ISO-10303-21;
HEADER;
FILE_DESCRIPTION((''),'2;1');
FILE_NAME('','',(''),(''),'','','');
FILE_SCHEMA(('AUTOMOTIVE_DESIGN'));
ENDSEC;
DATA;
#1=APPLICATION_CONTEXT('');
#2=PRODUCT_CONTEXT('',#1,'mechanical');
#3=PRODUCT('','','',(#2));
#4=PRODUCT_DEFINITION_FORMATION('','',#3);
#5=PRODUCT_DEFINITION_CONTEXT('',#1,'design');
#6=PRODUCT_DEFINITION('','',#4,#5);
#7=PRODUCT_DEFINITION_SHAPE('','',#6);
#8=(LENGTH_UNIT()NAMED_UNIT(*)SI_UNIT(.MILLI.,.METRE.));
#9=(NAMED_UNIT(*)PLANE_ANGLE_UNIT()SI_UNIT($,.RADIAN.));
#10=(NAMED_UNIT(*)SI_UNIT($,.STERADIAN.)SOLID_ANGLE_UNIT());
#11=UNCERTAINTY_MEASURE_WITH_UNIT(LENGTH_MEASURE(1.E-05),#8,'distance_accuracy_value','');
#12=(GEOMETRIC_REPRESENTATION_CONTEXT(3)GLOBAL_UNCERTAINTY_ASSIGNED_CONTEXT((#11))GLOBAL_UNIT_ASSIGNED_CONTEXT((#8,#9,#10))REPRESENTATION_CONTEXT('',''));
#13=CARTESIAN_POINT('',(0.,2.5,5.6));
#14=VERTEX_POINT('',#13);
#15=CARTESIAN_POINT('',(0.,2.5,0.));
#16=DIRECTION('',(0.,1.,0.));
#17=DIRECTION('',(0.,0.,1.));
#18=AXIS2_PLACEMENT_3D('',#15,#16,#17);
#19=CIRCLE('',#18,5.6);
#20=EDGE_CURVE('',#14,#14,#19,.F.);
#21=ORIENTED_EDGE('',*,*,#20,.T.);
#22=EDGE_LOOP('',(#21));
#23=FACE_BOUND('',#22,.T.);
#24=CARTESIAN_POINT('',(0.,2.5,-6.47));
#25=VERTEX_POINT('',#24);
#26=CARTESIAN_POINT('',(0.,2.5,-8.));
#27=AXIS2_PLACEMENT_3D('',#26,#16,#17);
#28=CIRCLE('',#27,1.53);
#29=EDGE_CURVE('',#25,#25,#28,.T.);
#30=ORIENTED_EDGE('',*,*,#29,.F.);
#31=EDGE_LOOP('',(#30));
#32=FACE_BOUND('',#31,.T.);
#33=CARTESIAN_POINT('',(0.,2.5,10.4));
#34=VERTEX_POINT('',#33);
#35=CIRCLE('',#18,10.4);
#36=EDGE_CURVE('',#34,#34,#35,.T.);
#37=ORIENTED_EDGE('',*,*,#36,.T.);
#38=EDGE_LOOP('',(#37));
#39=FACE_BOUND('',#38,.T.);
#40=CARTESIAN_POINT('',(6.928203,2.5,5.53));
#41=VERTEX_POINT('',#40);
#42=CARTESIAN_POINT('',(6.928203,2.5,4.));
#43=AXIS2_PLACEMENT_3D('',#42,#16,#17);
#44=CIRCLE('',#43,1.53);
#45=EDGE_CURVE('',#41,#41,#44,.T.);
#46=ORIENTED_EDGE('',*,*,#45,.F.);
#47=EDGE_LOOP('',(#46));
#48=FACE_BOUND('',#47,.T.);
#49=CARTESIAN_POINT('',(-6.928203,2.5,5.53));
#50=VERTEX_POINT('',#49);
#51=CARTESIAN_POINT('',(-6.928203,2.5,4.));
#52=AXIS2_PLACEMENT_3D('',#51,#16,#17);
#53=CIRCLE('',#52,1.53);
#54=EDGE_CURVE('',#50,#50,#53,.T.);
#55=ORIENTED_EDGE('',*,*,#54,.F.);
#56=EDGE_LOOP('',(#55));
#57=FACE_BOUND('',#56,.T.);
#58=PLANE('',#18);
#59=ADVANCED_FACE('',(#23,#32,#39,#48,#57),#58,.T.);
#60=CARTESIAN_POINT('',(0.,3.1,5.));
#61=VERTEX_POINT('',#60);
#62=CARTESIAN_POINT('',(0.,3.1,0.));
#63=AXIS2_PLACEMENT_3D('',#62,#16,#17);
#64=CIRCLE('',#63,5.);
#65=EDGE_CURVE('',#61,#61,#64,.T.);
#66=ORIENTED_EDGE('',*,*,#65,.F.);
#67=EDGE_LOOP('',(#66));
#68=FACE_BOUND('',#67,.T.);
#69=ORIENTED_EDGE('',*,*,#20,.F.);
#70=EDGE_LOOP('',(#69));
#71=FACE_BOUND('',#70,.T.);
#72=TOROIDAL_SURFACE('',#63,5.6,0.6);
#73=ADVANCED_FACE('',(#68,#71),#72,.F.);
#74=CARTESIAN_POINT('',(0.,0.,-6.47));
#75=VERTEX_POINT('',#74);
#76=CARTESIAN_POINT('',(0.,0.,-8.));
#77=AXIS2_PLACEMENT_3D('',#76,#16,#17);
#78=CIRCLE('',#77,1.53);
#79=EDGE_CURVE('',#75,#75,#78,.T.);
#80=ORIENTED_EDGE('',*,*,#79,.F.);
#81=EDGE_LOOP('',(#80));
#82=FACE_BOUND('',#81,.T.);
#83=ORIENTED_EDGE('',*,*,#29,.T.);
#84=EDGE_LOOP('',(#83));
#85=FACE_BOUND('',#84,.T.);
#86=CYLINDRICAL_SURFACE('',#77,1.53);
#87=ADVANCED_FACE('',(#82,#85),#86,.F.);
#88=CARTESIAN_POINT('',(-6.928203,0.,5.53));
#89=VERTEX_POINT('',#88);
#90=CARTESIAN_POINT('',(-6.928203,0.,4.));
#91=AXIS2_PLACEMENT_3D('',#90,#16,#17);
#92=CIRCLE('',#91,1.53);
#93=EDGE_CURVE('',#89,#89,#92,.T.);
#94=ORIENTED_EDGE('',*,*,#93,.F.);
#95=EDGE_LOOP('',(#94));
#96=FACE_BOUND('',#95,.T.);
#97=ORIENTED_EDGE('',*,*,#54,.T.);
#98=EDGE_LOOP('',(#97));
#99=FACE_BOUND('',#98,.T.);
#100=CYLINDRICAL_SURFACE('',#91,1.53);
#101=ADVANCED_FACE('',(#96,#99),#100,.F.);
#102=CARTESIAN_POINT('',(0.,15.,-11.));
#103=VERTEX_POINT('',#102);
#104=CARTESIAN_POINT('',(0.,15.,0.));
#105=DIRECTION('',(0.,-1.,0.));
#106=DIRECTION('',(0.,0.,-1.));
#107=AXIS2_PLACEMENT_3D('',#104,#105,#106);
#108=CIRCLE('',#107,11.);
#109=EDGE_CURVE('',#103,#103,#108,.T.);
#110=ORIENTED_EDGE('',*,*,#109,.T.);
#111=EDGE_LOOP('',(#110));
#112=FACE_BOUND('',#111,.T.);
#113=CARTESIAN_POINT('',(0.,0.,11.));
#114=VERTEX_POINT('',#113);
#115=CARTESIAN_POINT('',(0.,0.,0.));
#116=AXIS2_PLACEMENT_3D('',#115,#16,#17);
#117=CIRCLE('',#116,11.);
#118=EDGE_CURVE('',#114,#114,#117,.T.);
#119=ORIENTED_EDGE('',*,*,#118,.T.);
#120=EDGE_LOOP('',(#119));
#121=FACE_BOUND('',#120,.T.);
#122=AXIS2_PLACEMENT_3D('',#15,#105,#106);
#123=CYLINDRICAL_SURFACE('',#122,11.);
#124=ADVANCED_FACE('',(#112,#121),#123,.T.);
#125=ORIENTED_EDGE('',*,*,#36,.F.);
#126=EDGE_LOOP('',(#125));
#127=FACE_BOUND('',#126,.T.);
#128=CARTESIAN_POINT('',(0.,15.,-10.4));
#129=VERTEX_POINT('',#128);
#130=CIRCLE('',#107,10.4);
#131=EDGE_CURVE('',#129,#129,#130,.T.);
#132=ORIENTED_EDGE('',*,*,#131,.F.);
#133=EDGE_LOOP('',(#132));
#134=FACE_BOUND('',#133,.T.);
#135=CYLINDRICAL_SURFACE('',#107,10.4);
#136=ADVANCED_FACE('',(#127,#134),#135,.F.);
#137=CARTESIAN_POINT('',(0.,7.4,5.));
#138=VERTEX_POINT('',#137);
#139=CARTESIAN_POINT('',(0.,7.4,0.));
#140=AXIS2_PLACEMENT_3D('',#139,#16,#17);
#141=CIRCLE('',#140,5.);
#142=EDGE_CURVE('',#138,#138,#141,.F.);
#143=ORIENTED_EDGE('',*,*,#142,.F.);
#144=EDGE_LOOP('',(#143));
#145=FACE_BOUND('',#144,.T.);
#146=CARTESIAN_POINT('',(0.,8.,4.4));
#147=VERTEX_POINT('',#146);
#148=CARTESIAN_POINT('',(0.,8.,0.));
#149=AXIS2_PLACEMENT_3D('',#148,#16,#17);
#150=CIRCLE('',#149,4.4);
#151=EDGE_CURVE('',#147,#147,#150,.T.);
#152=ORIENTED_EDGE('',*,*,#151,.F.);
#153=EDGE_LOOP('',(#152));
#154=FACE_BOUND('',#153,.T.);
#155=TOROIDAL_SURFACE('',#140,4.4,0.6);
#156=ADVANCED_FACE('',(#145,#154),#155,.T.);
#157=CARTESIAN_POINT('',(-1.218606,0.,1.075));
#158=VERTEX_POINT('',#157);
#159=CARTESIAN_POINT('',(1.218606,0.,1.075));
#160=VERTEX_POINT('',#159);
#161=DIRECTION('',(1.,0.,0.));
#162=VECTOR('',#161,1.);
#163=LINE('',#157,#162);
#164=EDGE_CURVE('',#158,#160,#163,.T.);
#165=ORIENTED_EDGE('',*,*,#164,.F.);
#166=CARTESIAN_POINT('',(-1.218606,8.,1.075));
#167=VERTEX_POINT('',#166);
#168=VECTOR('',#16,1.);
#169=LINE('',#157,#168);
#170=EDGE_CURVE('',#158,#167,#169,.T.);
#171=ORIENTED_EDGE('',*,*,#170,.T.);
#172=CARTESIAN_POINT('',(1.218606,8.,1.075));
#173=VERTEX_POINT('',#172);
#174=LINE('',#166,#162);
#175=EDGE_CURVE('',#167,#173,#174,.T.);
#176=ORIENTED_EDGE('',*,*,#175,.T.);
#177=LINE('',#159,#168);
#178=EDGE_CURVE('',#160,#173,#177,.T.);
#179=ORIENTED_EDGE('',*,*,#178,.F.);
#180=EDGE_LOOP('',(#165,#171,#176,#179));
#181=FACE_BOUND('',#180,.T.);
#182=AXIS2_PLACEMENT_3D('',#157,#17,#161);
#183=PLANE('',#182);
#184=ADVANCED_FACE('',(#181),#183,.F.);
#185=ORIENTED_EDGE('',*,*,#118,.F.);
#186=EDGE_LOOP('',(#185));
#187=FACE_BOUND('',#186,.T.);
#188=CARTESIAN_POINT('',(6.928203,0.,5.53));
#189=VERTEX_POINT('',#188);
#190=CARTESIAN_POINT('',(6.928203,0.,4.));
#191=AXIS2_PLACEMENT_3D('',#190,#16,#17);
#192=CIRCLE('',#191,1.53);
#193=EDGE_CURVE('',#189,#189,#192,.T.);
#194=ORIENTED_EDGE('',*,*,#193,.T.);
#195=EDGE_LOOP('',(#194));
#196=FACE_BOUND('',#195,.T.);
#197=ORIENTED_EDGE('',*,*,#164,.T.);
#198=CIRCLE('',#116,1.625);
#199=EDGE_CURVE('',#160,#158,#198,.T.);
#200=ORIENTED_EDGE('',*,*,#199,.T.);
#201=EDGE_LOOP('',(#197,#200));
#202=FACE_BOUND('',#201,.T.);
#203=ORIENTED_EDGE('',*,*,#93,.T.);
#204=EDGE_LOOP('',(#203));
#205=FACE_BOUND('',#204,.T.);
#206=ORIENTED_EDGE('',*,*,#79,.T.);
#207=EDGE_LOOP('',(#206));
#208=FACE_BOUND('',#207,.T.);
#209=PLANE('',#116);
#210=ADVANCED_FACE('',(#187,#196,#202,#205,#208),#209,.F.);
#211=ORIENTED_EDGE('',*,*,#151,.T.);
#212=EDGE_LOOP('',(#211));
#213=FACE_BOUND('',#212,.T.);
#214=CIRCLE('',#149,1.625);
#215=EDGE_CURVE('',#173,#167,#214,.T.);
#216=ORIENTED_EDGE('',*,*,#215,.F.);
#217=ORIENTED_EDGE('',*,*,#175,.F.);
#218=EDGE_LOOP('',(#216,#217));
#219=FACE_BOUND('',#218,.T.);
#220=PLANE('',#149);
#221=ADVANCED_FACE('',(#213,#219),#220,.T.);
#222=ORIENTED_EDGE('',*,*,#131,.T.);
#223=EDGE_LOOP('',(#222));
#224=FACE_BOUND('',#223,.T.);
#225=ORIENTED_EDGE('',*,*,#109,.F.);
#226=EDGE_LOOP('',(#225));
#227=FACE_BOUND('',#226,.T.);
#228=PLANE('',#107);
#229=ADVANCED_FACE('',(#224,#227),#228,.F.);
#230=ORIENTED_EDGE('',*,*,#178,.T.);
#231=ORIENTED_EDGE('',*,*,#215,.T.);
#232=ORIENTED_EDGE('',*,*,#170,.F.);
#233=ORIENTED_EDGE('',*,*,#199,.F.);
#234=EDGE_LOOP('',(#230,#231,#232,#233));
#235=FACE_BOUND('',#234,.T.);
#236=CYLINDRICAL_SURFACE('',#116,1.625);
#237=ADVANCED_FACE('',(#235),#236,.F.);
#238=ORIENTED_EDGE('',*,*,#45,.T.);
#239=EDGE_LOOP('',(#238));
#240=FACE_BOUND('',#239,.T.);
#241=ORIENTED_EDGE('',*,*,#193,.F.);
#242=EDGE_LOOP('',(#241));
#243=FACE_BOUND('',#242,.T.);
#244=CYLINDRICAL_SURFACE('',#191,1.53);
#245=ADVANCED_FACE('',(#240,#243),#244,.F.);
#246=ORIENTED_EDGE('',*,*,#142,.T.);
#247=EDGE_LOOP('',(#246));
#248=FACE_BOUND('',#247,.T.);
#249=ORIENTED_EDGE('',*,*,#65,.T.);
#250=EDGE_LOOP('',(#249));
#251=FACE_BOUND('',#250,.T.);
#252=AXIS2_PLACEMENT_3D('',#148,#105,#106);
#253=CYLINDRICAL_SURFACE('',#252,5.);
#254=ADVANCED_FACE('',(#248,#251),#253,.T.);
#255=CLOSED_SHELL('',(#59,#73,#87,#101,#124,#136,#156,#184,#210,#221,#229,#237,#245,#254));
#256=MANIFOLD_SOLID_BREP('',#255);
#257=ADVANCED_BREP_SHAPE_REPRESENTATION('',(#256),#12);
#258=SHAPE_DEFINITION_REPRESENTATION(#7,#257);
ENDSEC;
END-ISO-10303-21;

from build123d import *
from build123d.topology import SkipClean

# Parameters (mm, degrees)
SKETCH1_R           = 11
BOSS_EXTRUDE1_DEPTH = 2.5
SKETCH2_R           = 5
BOSS_EXTRUDE2_DEPTH = 5.5
SKETCH3_R           = 1.53
CUT_EXTRUDE1_DEPTH  = 17.5
CUT_EXTRUDE2_DEPTH  = 18.492855685
FILLET1_R           = 0.6
SKETCH5_R           = 11
SKETCH5_R_2         = 10.4
BOSS_EXTRUDE3_DEPTH = 15


with BuildPart() as part:
    # Sketch1 → Boss-Extrude1 (new body)
    with BuildSketch(Plane(origin=(0, 0, 0), x_dir=(1, 0, 0), z_dir=(0, 1, 0))):
        with Locations(Location((0, 0, 0), (0, 0, 270))):
            Circle(SKETCH1_R)
    extrude(amount=BOSS_EXTRUDE1_DEPTH)

    # Sketch2 → Boss-Extrude2 (add)
    with BuildSketch(Plane(origin=(0, 2.5, 0), x_dir=(1, 0, 0), z_dir=(0, 1, 0))):
        with Locations(Location((0, 0, 0), (0, 0, 270))):
            Circle(SKETCH2_R)
    extrude(amount=BOSS_EXTRUDE2_DEPTH)

    # Sketch3 → Cut-Extrude1 (cut, through all)
    with BuildSketch(Plane(origin=(0, 2.5, 0), x_dir=(1, 0, 0), z_dir=(0, 1, 0))):
        with Locations(Location((0, 8, 0), (0, 0, 270))):
            Circle(SKETCH3_R)
        with Locations(Location((6.92820323, -4, 0), (0, 0, 270))):
            Circle(SKETCH3_R)
        with Locations(Location((-6.92820323, -4, 0), (0, 0, 270))):
            Circle(SKETCH3_R)
    extrude(amount=-CUT_EXTRUDE1_DEPTH, mode=Mode.SUBTRACT)

    # Sketch4 → Cut-Extrude2 (cut, through all)
    with BuildSketch(Plane(origin=(0, 8, 0), x_dir=(1, 0, 0), z_dir=(0, 1, 0))):
        with BuildLine():
            Line((-1.218605761, -1.075), (1.218605761, -1.075))
            ThreePointArc((1.218605761, -1.075), (0, 1.625), (-1.218605761, -1.075))
        make_face()
    extrude(amount=-CUT_EXTRUDE2_DEPTH, mode=Mode.SUBTRACT)

    # Fillet1
    fillet1_edges = [part.edges().sort_by_distance(p)[0] for p in [
        (0, 2.5, -5),
        (0, 8, -5),
    ]]
    fillet(fillet1_edges, radius=FILLET1_R)

    # Sketch5 → Boss-Extrude3 (add)
    with SkipClean():  # the faces are left unmerged after this step: merging them gives an invalid solid
        with BuildSketch(Plane.XZ):
            with Locations(Location((0, 0, 0), (0, 0, 270))):
                Circle(SKETCH5_R)
            with Locations(Location((0, 0, 0), (0, 0, 270))):
                Circle(SKETCH5_R_2, mode=Mode.SUBTRACT)
        extrude(amount=-BOSS_EXTRUDE3_DEPTH)


solid = part.part
